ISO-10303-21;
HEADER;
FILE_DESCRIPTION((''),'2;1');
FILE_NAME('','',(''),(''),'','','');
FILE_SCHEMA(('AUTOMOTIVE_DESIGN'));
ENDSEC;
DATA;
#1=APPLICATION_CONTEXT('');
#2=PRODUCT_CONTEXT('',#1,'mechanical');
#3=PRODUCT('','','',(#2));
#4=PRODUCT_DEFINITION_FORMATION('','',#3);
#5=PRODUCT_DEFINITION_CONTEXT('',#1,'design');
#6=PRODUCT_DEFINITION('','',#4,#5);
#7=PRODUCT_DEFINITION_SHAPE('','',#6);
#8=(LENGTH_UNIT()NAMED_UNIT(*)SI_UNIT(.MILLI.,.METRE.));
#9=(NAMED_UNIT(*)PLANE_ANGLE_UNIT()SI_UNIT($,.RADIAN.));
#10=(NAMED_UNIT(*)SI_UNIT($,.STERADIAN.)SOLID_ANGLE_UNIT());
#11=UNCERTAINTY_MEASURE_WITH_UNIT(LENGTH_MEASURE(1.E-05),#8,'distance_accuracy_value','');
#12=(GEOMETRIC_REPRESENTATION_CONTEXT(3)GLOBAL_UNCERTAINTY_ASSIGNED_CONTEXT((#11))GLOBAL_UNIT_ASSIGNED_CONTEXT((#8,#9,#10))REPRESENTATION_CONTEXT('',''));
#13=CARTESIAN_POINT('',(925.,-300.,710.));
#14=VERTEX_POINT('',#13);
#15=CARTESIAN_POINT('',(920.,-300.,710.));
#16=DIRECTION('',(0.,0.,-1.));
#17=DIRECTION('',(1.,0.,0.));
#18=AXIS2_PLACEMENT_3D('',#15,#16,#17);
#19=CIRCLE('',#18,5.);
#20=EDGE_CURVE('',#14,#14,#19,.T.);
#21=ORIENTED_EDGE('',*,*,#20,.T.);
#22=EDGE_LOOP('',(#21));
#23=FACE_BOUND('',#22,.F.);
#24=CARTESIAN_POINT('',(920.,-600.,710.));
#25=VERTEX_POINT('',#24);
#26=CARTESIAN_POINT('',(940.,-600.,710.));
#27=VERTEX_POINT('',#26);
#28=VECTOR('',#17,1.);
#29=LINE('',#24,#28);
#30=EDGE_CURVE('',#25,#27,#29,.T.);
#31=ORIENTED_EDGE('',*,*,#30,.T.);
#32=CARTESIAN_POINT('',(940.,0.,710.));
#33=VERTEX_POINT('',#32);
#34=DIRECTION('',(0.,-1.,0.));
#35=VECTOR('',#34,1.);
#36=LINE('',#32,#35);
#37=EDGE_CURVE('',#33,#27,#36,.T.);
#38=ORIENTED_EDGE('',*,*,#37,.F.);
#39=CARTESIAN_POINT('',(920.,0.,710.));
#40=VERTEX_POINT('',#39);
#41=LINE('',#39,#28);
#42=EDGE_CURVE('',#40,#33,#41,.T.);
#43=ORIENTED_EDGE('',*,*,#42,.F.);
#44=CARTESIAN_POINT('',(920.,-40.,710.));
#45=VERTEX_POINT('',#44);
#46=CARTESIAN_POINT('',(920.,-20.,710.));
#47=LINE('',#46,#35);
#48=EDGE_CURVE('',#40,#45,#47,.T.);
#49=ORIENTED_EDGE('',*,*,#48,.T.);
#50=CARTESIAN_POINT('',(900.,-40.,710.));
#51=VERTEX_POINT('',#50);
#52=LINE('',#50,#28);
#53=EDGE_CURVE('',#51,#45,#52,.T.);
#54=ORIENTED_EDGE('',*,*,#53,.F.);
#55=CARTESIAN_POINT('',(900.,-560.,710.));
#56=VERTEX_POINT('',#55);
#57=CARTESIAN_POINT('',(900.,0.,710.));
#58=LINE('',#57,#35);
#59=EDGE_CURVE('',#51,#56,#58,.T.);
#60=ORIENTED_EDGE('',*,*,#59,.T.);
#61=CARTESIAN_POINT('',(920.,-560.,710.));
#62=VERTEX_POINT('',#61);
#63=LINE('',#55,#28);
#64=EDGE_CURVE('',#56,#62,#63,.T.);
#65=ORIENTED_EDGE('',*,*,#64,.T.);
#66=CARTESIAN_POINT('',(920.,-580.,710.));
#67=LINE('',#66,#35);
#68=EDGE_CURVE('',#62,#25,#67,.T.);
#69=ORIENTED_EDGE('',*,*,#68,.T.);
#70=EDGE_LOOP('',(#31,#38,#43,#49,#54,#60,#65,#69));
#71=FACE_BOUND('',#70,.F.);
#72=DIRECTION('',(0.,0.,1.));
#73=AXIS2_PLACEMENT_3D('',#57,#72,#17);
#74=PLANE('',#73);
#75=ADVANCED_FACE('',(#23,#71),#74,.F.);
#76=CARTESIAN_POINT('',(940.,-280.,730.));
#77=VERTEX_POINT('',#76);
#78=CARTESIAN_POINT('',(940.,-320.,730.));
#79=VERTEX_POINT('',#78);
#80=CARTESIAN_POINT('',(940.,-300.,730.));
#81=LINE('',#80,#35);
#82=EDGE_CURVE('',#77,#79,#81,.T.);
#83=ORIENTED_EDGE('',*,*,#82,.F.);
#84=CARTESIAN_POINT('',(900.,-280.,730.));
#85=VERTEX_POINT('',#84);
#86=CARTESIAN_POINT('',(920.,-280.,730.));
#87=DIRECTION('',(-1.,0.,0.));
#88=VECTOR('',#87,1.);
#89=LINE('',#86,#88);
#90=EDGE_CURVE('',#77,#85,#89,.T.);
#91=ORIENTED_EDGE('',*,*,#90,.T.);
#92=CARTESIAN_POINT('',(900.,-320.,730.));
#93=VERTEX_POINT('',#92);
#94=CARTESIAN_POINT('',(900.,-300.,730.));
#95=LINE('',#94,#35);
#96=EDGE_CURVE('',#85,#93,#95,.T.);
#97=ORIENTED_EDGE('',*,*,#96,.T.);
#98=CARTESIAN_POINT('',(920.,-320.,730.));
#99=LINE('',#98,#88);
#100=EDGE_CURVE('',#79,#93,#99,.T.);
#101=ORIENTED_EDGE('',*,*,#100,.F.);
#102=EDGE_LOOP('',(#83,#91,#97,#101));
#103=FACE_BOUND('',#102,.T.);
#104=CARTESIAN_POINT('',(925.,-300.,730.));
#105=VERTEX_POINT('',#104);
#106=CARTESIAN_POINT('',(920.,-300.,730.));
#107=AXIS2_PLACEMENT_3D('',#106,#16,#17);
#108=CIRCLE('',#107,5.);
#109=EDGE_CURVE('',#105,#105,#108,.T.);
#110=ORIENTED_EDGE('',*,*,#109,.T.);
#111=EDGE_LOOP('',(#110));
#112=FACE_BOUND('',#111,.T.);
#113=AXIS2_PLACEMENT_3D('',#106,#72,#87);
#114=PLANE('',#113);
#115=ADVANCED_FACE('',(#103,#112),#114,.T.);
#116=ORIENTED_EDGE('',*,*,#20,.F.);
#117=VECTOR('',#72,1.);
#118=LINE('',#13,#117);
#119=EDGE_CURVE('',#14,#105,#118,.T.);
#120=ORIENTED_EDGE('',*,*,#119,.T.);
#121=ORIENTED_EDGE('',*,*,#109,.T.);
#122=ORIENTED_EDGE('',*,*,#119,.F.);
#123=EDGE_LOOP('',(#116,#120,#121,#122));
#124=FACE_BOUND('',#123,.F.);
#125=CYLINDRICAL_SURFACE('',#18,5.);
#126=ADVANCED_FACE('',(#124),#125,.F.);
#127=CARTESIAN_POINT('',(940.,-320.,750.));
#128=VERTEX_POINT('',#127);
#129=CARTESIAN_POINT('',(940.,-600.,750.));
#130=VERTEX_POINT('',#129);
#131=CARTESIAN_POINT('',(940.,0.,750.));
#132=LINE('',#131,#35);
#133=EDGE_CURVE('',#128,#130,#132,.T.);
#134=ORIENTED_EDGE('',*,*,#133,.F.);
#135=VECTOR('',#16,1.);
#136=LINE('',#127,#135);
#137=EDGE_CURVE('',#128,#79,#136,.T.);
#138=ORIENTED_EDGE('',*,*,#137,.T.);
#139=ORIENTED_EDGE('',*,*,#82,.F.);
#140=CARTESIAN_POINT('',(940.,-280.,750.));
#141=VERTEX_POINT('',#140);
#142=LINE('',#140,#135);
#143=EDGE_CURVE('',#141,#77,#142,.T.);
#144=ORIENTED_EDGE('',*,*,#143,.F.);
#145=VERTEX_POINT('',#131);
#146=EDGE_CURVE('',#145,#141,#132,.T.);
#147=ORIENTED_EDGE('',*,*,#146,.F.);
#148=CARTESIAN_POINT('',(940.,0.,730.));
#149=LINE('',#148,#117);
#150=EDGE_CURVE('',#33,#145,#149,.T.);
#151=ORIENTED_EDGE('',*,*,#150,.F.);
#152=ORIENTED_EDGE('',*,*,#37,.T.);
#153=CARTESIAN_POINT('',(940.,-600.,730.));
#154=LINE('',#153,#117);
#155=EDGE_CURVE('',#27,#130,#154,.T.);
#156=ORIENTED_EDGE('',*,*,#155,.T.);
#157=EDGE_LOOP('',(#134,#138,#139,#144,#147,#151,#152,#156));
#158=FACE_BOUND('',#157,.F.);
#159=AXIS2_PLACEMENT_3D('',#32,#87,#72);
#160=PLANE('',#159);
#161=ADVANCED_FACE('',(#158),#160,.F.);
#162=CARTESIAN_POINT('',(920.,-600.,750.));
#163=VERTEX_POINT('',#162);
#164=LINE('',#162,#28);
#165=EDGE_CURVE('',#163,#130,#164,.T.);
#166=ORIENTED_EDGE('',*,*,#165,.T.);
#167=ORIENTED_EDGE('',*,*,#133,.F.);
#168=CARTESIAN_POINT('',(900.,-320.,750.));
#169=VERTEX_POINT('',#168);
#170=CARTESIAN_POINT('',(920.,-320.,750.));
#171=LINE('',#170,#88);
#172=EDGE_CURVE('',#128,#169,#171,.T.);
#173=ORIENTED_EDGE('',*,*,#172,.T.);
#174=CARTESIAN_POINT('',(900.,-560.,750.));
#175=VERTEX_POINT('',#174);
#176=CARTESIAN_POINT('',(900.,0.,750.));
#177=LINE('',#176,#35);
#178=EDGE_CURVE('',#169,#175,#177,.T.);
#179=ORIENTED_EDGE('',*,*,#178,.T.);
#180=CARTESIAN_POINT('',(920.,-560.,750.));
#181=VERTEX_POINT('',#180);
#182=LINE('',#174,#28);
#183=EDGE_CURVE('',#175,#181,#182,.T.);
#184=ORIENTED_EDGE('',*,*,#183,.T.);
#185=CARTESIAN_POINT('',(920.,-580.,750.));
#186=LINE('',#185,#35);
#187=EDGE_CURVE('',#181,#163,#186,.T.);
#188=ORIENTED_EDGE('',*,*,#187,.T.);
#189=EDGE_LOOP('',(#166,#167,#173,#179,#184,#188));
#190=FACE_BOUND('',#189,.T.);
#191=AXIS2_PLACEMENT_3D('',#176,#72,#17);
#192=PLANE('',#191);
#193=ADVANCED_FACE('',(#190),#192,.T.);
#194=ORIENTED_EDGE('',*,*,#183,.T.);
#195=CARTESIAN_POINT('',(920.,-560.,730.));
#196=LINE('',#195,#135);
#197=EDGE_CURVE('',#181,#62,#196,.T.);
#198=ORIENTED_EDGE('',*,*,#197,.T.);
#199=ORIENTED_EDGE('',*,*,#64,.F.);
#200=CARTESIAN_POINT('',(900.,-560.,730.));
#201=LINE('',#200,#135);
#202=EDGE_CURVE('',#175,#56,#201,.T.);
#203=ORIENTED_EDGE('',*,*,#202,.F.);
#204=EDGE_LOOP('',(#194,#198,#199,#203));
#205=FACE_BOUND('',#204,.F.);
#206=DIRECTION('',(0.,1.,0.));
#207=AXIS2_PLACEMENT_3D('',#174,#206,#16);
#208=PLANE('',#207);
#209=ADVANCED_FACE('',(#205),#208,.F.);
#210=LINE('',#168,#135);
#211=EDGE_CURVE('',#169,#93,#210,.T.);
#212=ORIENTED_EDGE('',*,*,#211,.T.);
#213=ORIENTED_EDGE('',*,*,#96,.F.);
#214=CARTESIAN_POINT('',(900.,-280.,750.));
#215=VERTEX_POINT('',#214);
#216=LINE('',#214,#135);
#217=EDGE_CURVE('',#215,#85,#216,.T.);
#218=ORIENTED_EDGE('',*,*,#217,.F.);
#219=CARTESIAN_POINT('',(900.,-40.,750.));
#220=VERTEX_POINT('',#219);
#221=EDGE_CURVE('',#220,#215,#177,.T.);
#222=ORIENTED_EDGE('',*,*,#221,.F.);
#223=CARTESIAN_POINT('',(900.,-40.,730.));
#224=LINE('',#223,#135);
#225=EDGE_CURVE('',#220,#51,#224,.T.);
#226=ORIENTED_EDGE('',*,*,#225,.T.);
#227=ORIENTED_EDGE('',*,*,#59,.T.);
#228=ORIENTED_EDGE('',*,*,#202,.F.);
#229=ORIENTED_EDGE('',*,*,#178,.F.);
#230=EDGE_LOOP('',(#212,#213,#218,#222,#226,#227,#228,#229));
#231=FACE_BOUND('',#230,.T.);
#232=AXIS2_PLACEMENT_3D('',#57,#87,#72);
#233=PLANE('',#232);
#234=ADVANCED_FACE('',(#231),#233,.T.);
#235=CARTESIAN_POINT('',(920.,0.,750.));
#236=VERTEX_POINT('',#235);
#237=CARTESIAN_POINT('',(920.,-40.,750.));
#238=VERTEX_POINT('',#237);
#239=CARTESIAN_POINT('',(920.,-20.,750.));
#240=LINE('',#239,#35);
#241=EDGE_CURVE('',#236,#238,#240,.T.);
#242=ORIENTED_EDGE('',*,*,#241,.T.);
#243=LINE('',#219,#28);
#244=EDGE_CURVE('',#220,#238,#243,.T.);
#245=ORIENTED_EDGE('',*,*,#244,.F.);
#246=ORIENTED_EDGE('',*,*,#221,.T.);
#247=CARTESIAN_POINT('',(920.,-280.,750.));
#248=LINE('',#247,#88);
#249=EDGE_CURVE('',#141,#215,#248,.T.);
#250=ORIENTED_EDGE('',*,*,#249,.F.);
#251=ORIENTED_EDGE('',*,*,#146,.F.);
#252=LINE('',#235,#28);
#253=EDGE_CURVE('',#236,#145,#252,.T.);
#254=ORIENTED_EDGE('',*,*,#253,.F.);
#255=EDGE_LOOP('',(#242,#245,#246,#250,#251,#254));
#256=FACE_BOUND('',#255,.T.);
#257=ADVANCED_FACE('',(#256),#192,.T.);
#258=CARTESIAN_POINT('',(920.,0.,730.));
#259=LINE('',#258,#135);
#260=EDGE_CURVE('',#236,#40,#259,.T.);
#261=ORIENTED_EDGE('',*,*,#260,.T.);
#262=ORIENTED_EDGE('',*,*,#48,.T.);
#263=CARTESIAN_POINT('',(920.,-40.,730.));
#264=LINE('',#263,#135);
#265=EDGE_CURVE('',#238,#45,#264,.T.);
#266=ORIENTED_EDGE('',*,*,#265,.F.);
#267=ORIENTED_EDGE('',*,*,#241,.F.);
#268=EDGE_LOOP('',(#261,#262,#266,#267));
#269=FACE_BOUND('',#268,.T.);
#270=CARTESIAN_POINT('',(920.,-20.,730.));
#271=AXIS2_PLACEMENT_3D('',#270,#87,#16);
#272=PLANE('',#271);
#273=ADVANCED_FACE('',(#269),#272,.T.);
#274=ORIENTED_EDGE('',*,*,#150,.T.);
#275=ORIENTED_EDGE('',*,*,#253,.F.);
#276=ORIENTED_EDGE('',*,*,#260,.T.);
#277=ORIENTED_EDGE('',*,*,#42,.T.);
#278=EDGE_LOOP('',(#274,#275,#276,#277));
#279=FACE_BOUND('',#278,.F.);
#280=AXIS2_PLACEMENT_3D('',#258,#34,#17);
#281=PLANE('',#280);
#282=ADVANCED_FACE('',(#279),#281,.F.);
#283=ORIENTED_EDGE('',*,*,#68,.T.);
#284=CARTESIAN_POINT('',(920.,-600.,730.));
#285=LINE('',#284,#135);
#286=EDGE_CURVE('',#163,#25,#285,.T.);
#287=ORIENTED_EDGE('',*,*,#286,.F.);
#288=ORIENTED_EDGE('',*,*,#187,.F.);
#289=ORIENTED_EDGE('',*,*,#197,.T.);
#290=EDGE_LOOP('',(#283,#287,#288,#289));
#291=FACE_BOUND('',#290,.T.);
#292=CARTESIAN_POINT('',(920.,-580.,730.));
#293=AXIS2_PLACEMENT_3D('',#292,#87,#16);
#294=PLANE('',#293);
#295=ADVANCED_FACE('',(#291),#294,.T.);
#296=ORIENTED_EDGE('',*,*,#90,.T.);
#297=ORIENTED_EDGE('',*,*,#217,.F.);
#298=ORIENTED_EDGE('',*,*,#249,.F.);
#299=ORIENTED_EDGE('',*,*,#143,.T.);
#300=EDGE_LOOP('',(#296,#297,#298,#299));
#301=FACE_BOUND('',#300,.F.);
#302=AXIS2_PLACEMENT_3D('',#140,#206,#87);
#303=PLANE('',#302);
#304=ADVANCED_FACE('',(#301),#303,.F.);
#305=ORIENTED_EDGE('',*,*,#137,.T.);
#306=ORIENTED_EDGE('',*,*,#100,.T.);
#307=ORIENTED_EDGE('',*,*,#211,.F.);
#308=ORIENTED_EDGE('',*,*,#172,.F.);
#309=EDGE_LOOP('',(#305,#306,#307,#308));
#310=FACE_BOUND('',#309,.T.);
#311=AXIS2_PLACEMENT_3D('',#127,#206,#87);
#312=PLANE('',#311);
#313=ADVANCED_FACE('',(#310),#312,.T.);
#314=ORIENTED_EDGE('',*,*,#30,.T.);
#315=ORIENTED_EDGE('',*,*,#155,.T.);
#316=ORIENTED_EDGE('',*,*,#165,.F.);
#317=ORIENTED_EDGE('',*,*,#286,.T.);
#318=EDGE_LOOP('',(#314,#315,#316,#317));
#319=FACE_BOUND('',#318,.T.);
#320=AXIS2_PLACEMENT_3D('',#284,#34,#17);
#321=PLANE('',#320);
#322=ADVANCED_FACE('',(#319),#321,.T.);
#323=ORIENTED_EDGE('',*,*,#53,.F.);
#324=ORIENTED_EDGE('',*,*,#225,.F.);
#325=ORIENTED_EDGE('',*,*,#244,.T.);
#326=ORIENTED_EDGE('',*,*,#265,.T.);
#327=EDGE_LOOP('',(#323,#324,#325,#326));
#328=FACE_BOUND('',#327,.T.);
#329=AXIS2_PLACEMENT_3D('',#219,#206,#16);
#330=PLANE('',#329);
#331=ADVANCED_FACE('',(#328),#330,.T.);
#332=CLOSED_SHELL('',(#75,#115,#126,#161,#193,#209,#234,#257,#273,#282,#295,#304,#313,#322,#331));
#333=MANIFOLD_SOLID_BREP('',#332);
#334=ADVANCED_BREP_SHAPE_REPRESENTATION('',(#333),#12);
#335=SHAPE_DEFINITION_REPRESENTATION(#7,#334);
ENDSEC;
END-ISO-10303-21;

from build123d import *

# Parameters (mm, degrees)
SKETCH018_W     = 40
SKETCH018_H     = 40
PAD018_DEPTH    = 600
SKETCH019_W     = 40
SKETCH019_H     = 40
POCKET_DEPTH    = 20
SKETCH020_W     = 40
SKETCH020_H     = 40
POCKET001_DEPTH = 20
SKETCH064_R     = 5
POCKET019_DEPTH = 40.001


with BuildPart() as part:
    # Sketch018 → Pad018 (new body)
    with BuildSketch(Plane.XZ):
        with Locations((20, 280)):
            Rectangle(SKETCH018_W, SKETCH018_H)
    extrude(amount=PAD018_DEPTH)

    # Sketch019 (on Face4 of Pad018) → Pocket (cut)
    with BuildSketch(Plane(origin=(0, 0, 0), x_dir=(0, 0, -1), z_dir=(-1, 0, 0))):
        with Locations((-280, 580)):
            Rectangle(SKETCH019_W, SKETCH019_H)
        with Locations((-280, 20)):
            Rectangle(SKETCH019_W, SKETCH019_H)
    extrude(amount=-POCKET_DEPTH, mode=Mode.SUBTRACT)

    # Sketch020 (on Face1 of Pocket) → Pocket001 (cut)
    with BuildSketch(Plane(origin=(0, 0, 300), x_dir=(-1, 0, 0), z_dir=(0, 0, 1))):
        with Locations((-20, 300)):
            Rectangle(SKETCH020_W, SKETCH020_H)
    extrude(amount=-POCKET001_DEPTH, mode=Mode.SUBTRACT)

    # Sketch064 (on Face8 of Pocket001) → Pocket019 (cut, through all)
    with BuildSketch(Plane(origin=(0, 0, 260), x_dir=(1, 0, 0), z_dir=(0, 0, -1))):
        with Locations((20, 300)):
            Circle(SKETCH064_R)
    extrude(amount=-POCKET019_DEPTH, mode=Mode.SUBTRACT)


with BuildPart() as part_1:
    # Clone008 placement: moved
    add(part.part.moved(Location((900, 0, 0))))


with BuildPart() as part_2:
    # Clone012 placement: moved
    add(part_1.part.moved(Location((0, 0, 450))))


solid = part_2.part
